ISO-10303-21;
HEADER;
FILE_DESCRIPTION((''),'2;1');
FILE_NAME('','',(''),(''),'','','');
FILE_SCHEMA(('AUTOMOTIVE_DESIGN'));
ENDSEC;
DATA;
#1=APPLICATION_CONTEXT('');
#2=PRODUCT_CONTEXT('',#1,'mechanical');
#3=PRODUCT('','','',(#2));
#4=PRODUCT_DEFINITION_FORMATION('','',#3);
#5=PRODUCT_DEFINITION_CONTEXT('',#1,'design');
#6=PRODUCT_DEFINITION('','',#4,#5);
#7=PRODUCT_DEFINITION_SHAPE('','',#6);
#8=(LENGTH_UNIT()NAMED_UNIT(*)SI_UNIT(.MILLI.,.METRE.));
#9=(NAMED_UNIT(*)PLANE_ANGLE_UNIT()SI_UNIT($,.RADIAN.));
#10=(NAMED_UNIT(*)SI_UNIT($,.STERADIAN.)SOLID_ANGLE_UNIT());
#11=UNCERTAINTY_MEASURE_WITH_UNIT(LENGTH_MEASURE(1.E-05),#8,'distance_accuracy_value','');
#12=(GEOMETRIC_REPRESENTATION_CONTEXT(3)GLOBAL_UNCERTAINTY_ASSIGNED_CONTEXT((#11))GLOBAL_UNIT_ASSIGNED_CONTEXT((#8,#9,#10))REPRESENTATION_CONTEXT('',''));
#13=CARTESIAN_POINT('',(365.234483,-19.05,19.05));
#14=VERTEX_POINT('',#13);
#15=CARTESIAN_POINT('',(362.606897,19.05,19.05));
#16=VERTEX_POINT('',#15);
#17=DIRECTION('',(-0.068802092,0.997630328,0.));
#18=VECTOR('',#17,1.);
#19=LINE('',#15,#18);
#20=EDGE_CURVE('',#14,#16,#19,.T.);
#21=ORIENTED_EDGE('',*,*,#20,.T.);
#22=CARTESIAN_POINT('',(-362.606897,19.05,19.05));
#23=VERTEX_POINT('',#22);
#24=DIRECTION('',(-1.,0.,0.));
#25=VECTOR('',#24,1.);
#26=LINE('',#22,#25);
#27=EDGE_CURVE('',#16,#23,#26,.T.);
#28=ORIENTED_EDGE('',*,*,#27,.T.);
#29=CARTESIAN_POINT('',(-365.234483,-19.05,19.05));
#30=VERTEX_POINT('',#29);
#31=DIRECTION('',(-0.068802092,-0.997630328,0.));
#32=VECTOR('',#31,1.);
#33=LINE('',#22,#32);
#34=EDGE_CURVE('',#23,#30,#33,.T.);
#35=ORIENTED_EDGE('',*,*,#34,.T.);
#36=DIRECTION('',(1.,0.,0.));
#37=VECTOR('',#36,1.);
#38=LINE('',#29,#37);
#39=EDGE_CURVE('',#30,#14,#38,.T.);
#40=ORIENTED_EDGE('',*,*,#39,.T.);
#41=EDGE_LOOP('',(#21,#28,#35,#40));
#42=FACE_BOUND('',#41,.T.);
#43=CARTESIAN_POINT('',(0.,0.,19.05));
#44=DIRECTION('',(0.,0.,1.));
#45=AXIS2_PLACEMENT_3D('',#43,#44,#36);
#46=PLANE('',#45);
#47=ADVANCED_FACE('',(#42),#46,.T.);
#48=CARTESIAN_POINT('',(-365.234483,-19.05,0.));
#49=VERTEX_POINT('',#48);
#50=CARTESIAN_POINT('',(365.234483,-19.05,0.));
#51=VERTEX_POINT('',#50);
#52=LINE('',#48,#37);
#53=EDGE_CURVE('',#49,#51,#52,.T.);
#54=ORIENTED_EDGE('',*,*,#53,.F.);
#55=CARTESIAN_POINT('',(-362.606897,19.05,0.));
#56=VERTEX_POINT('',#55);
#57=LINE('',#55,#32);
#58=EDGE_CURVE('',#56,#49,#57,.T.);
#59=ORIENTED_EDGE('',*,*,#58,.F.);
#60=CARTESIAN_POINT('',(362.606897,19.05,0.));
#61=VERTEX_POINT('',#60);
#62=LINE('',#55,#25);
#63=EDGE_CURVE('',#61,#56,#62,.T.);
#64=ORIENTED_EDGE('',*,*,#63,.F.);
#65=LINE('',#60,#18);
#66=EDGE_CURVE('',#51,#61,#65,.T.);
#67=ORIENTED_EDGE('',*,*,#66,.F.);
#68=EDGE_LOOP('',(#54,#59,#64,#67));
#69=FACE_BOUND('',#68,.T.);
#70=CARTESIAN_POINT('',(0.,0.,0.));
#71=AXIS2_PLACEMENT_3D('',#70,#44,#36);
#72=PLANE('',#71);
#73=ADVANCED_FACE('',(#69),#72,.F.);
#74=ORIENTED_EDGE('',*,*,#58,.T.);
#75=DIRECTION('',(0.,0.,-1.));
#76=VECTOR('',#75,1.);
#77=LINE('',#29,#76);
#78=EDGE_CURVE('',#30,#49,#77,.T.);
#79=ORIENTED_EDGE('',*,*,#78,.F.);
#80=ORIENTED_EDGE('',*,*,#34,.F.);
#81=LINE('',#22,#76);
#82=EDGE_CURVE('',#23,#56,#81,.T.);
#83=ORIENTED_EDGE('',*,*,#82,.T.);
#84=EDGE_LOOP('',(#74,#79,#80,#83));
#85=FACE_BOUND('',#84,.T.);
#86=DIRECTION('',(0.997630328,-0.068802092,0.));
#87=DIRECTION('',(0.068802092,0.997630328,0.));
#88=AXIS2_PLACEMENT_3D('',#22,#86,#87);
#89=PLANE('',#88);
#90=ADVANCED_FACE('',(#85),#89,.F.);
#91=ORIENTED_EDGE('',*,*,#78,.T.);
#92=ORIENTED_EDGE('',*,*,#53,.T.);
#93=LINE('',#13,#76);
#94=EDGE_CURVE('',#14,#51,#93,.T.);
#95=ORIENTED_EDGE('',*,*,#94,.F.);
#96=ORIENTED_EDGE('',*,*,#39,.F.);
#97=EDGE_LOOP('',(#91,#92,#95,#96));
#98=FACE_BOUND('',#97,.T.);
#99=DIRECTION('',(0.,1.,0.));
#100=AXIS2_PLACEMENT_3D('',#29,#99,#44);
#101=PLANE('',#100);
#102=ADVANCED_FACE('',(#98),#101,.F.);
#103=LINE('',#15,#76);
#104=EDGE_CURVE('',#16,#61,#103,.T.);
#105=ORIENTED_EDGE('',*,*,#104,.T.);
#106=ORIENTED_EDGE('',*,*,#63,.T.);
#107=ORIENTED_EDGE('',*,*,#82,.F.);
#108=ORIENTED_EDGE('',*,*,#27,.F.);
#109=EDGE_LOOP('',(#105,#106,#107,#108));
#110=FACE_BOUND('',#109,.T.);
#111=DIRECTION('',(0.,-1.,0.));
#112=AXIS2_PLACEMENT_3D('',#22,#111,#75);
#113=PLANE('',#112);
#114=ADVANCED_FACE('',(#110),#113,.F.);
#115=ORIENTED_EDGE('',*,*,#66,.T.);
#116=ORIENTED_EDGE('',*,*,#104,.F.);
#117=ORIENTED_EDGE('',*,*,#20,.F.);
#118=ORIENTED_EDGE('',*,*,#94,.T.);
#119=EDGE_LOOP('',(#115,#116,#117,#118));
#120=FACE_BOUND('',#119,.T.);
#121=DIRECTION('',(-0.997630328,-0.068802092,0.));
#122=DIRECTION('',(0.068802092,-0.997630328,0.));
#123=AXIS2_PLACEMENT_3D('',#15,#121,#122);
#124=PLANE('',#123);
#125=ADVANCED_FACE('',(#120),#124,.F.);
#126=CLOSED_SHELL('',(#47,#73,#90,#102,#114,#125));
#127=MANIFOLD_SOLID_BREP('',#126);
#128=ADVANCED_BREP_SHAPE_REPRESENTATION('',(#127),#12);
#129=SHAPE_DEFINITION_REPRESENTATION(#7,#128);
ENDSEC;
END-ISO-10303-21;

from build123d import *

# Parameters (mm, degrees)
BOSS_EXTRUDE1_DEPTH = 19.05


with BuildPart() as part:
    # Sketch1 → Boss-Extrude1 (new body)
    with BuildSketch(Plane.XY):
        Polygon((-365.234482759, -19.05), (365.234482759, -19.05), (362.606896552, 19.05), (-362.606896552, 19.05), align=None)
    extrude(amount=BOSS_EXTRUDE1_DEPTH)


solid = part.part
